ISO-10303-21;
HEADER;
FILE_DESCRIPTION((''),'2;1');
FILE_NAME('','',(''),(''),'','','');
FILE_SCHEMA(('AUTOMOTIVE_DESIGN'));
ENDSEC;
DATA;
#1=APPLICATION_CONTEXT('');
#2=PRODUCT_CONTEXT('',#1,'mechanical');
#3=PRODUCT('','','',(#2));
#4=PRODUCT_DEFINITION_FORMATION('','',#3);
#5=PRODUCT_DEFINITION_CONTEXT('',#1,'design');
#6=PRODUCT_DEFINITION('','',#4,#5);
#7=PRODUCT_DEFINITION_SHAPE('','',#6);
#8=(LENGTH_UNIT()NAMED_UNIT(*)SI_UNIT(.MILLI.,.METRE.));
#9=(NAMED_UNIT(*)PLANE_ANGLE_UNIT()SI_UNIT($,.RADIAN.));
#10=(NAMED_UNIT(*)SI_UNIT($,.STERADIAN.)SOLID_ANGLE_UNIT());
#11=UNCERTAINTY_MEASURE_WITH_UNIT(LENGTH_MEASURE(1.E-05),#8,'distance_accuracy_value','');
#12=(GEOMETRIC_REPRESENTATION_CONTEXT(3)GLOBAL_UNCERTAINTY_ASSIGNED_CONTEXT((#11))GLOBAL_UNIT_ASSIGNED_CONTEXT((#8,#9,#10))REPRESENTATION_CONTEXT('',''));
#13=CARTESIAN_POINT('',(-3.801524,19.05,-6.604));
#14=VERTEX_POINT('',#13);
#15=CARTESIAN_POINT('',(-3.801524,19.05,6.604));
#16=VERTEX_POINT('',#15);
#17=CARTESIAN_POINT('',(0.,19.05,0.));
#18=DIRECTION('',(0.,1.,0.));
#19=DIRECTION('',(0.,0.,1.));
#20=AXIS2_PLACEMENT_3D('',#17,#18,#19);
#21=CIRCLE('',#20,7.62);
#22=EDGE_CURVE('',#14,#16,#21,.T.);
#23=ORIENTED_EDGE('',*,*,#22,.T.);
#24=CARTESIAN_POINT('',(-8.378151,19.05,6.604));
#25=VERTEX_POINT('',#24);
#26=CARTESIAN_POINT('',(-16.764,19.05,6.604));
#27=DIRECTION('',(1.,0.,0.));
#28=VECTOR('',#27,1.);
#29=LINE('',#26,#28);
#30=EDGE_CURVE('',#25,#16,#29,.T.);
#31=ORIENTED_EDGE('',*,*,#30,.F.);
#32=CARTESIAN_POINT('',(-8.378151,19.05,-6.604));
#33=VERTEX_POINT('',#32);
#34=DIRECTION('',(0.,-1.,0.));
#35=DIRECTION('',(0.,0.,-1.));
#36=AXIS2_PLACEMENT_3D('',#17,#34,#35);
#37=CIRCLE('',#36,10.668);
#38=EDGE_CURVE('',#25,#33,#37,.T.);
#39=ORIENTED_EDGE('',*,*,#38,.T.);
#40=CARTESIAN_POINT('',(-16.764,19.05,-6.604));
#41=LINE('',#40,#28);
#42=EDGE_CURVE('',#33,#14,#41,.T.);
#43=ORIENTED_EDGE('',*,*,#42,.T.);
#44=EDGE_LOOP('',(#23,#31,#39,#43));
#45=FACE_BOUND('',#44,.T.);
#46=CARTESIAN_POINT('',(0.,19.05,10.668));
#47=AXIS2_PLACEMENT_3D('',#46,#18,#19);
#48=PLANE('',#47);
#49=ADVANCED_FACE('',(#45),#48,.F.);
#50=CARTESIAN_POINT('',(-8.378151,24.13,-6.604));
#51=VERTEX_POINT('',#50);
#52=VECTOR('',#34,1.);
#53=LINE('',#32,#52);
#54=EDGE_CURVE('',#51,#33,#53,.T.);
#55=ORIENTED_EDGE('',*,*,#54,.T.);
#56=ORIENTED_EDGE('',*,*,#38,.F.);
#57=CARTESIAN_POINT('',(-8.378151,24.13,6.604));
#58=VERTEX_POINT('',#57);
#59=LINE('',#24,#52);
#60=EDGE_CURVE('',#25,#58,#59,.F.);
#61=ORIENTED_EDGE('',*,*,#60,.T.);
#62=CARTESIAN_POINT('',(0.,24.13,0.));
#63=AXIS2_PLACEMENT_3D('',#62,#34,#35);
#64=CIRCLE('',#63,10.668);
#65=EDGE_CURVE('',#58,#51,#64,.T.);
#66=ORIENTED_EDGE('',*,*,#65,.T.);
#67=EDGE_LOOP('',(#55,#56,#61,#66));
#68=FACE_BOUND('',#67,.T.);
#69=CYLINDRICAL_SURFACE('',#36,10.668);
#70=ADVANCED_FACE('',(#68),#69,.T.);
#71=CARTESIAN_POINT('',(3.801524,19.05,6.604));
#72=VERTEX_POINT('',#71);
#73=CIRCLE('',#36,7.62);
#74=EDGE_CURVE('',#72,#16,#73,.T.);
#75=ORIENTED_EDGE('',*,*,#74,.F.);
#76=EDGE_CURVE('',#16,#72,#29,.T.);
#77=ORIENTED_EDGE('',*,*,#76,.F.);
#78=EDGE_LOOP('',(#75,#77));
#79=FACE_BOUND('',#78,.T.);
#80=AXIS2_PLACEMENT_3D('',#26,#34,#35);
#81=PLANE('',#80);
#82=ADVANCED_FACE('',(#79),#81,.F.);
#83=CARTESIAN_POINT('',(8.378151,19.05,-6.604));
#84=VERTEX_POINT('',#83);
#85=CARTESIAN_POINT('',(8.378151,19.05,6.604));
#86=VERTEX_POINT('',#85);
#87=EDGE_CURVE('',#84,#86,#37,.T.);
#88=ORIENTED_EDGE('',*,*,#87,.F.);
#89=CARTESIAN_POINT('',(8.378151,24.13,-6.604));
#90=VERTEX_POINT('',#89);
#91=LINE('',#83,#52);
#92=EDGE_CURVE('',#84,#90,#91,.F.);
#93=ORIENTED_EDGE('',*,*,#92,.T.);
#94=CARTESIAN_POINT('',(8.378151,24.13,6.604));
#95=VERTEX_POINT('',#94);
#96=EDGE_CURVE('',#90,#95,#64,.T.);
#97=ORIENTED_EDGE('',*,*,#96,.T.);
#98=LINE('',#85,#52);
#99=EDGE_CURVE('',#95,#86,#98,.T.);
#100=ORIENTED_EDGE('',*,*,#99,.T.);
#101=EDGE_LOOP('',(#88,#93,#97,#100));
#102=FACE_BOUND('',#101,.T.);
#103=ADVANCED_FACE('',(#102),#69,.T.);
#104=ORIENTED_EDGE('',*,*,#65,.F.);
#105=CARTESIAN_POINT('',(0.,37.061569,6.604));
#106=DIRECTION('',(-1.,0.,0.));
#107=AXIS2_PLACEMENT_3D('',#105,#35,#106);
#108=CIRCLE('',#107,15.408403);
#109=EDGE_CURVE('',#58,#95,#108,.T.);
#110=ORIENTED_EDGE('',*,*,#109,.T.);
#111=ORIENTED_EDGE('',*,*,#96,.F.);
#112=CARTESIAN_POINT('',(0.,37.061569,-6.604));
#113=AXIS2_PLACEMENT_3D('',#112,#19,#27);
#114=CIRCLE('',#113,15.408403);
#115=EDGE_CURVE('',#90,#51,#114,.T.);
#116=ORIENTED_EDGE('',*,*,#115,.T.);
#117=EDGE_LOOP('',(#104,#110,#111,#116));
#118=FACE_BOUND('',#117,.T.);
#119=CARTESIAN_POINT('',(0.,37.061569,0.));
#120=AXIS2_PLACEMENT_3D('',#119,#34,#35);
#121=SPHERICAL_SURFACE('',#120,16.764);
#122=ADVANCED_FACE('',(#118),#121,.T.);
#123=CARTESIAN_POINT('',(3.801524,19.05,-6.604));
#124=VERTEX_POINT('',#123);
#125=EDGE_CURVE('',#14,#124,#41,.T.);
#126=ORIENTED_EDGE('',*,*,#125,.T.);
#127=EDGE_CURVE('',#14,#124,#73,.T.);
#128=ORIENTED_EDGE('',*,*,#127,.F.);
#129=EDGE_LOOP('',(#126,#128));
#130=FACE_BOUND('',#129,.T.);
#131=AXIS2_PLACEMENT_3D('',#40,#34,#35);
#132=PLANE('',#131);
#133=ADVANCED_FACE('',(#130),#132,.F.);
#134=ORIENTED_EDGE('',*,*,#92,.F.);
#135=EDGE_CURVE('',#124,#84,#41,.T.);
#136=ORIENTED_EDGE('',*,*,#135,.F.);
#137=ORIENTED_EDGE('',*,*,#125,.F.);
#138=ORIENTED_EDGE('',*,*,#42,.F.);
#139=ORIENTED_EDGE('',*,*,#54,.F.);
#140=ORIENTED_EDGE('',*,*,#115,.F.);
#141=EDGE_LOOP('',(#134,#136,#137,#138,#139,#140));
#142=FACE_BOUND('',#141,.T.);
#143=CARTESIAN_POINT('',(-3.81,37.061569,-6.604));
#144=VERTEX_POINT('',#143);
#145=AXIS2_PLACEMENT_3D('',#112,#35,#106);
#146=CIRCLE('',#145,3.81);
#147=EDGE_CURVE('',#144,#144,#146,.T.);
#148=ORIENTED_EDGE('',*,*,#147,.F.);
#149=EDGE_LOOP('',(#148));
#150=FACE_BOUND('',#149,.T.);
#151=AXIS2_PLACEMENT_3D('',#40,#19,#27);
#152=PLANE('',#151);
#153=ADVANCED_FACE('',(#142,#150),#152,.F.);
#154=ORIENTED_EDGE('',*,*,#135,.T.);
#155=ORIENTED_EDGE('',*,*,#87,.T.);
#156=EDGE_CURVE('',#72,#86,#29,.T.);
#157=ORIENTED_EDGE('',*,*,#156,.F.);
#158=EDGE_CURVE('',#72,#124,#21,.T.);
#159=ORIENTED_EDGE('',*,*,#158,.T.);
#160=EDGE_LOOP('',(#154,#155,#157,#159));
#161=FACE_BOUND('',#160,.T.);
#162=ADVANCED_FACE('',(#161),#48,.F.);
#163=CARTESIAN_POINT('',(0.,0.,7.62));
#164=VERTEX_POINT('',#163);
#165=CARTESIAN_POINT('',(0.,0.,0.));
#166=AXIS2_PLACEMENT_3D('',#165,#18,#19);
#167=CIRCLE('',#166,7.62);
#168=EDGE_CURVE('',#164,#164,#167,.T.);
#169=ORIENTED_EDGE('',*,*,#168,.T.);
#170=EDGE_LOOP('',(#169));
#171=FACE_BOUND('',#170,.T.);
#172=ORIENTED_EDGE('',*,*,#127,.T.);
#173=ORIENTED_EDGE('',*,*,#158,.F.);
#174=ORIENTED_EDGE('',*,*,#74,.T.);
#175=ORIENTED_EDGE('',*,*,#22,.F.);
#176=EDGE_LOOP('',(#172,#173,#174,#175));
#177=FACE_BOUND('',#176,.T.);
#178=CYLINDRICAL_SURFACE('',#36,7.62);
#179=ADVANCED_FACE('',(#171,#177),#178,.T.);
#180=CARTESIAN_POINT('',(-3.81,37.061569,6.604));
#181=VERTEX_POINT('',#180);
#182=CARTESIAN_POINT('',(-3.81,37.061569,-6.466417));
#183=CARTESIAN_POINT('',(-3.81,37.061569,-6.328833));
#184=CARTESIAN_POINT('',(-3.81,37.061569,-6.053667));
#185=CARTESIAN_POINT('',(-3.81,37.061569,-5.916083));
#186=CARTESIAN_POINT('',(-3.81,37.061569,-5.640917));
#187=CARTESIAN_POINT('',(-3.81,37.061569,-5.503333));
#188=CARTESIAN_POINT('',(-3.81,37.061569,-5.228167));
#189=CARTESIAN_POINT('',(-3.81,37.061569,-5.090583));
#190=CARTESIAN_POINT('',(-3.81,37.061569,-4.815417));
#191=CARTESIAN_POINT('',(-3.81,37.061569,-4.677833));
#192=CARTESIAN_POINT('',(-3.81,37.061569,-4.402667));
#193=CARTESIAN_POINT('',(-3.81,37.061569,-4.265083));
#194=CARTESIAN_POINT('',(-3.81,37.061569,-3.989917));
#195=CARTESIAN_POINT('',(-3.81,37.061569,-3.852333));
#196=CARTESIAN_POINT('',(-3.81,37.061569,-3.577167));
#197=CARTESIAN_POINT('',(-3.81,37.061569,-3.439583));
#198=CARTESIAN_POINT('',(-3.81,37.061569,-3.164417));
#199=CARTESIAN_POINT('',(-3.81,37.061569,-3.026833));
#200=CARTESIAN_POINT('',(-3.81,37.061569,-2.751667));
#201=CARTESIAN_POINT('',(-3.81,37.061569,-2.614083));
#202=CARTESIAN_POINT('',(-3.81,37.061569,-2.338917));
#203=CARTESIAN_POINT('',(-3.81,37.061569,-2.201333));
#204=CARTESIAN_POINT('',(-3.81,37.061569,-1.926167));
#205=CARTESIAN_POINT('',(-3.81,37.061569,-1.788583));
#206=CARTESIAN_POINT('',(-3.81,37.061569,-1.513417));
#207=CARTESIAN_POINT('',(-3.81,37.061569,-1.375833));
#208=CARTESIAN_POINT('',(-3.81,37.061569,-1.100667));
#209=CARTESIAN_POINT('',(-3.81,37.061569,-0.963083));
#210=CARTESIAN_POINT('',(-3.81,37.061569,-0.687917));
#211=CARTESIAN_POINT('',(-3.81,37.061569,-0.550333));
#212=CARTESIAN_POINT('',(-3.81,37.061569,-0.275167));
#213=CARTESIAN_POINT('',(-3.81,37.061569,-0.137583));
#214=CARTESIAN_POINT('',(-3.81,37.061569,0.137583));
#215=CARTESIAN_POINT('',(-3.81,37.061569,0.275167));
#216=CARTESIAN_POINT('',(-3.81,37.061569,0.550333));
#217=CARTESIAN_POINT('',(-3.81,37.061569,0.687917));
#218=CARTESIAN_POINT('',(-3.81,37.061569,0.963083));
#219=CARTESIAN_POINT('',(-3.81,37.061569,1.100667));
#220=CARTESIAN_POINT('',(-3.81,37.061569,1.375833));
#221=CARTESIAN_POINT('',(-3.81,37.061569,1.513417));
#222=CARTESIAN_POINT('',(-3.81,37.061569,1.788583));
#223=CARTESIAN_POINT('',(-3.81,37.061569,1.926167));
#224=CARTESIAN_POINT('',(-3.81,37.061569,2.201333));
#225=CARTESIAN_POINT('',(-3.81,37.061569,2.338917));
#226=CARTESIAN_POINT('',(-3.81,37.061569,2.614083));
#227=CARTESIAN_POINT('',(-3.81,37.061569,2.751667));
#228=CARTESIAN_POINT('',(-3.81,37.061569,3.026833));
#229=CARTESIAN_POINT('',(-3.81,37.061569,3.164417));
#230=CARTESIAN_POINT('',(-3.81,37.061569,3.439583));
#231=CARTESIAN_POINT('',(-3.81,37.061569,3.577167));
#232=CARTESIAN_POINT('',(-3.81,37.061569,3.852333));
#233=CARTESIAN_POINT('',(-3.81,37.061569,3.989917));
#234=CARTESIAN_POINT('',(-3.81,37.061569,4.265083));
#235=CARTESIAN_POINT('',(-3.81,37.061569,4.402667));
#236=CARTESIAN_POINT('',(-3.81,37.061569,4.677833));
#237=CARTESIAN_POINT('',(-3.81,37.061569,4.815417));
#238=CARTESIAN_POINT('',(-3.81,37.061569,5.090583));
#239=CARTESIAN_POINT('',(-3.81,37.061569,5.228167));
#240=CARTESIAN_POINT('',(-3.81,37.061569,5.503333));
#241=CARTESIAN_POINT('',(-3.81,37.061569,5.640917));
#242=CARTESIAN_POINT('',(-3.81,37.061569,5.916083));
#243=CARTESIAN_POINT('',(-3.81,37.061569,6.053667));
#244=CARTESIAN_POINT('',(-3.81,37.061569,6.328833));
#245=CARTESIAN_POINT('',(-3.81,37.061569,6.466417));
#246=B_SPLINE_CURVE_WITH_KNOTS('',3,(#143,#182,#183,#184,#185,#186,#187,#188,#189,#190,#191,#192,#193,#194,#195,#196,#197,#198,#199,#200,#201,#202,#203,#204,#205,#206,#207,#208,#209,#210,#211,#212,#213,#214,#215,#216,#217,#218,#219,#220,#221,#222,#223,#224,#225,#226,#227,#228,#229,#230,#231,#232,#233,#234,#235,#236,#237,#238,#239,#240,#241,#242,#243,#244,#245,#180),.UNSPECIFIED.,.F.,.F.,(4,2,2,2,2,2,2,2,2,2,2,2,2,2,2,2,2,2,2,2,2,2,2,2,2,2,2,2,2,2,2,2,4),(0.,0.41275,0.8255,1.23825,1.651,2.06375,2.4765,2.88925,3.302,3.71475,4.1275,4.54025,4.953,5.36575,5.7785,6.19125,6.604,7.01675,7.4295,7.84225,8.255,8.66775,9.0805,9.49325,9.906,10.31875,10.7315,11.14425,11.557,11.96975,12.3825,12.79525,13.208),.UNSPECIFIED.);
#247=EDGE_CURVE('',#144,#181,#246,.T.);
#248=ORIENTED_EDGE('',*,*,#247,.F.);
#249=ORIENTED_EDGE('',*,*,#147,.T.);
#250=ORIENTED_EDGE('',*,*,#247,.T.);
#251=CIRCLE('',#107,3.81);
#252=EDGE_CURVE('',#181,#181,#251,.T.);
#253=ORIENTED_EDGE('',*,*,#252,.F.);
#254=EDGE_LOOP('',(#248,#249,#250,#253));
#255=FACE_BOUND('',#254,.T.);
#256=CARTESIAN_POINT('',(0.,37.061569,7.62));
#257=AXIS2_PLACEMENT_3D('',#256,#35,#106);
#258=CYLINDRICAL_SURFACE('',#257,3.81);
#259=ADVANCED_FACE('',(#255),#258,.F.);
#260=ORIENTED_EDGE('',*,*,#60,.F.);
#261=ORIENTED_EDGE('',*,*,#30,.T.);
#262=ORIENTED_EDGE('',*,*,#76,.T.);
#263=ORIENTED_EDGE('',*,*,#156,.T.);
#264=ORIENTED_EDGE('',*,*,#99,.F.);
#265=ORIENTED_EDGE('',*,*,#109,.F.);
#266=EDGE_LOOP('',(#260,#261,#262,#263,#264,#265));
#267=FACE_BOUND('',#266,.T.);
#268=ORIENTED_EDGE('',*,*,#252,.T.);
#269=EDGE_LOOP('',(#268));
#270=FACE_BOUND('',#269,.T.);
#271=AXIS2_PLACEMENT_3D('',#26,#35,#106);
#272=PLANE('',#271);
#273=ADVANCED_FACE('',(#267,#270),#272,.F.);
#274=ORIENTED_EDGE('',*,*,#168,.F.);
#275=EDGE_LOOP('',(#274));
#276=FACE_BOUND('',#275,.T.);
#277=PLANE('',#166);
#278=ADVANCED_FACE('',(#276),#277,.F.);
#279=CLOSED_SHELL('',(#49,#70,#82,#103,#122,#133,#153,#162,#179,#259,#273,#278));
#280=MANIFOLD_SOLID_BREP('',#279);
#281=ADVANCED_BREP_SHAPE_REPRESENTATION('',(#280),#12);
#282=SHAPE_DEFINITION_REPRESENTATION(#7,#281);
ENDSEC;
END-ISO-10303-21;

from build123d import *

# Parameters (mm, degrees)
SKETCH1_R               = 7.62
BOSS_EXTRUDE1_DEPTH     = 19.05
CUT_EXTRUDE1_DEPTH      = 59.815433775
CUT_EXTRUDE1_DEPTH_BACK = 59.815433775
SKETCH3_W               = 21.634870399
SKETCH3_H               = 44.538154166
SKETCH3_W_2             = 24.953070172
CUT_EXTRUDE2_DEPTH      = 59.142460648
CUT_EXTRUDE2_DEPTH_BACK = 59.142460648
SKETCH4_R               = 3.81


with BuildPart() as part:
    # Sketch1 → Boss-Extrude1 (new body)
    with BuildSketch(Plane(origin=(0, 0, 0), x_dir=(1, 0, 0), z_dir=(0, 1, 0))):
        with Locations(Location((0, 0, 0), (0, 0, 270))):
            Circle(SKETCH1_R)
    extrude(amount=BOSS_EXTRUDE1_DEPTH)

    # Sketch2 → Revolve1 (revolve)
    with BuildSketch(Plane(origin=(0, 0, 0), x_dir=(0, 0, -1), z_dir=(1, 0, 0)), mode=Mode.PRIVATE) as revolve1_sk:
        with BuildLine():
            Line((-10.668, 19.05), (-10.668, 24.13))
            ThreePointArc((-10.668, 24.13), (-15.776826607, 42.729323061), (0, 53.825568814))
            Line((0, 53.825568814), (0, 19.05))
            Line((0, 19.05), (-10.668, 19.05))
        make_face()
    revolve(revolve1_sk.sketch.rotate(Axis((0, 19.05, 0), (0, 1, 0)), 180), axis=Axis((0, 19.05, 0), (0, 1, 0)))

    # Sketch3 → Cut-Extrude1 (cut, two sides: drawn at the far end of the back side and taken through both)
    with BuildSketch(Plane(origin=(0, 0, 0), x_dir=(0, 0, -1), z_dir=(1, 0, 0)).offset(-CUT_EXTRUDE1_DEPTH_BACK)):
        with Locations((-17.4214352, 41.319077083)):
            Rectangle(SKETCH3_W, SKETCH3_H)
        with Locations((19.080535086, 41.319077083)):
            Rectangle(SKETCH3_W_2, SKETCH3_H)
    extrude(amount=CUT_EXTRUDE1_DEPTH + CUT_EXTRUDE1_DEPTH_BACK, mode=Mode.SUBTRACT)

    # Sketch4 → Cut-Extrude2 (cut, two sides: drawn at the far end of the back side and taken through both)
    with BuildSketch(Plane(origin=(0, 0, -6.604), x_dir=(-1, 0, 0), z_dir=(0, 0, -1)).offset(-CUT_EXTRUDE2_DEPTH_BACK)):
        with Locations((0, 37.061568814)):
            Circle(SKETCH4_R)
    extrude(amount=CUT_EXTRUDE2_DEPTH + CUT_EXTRUDE2_DEPTH_BACK, mode=Mode.SUBTRACT)


solid = part.part
